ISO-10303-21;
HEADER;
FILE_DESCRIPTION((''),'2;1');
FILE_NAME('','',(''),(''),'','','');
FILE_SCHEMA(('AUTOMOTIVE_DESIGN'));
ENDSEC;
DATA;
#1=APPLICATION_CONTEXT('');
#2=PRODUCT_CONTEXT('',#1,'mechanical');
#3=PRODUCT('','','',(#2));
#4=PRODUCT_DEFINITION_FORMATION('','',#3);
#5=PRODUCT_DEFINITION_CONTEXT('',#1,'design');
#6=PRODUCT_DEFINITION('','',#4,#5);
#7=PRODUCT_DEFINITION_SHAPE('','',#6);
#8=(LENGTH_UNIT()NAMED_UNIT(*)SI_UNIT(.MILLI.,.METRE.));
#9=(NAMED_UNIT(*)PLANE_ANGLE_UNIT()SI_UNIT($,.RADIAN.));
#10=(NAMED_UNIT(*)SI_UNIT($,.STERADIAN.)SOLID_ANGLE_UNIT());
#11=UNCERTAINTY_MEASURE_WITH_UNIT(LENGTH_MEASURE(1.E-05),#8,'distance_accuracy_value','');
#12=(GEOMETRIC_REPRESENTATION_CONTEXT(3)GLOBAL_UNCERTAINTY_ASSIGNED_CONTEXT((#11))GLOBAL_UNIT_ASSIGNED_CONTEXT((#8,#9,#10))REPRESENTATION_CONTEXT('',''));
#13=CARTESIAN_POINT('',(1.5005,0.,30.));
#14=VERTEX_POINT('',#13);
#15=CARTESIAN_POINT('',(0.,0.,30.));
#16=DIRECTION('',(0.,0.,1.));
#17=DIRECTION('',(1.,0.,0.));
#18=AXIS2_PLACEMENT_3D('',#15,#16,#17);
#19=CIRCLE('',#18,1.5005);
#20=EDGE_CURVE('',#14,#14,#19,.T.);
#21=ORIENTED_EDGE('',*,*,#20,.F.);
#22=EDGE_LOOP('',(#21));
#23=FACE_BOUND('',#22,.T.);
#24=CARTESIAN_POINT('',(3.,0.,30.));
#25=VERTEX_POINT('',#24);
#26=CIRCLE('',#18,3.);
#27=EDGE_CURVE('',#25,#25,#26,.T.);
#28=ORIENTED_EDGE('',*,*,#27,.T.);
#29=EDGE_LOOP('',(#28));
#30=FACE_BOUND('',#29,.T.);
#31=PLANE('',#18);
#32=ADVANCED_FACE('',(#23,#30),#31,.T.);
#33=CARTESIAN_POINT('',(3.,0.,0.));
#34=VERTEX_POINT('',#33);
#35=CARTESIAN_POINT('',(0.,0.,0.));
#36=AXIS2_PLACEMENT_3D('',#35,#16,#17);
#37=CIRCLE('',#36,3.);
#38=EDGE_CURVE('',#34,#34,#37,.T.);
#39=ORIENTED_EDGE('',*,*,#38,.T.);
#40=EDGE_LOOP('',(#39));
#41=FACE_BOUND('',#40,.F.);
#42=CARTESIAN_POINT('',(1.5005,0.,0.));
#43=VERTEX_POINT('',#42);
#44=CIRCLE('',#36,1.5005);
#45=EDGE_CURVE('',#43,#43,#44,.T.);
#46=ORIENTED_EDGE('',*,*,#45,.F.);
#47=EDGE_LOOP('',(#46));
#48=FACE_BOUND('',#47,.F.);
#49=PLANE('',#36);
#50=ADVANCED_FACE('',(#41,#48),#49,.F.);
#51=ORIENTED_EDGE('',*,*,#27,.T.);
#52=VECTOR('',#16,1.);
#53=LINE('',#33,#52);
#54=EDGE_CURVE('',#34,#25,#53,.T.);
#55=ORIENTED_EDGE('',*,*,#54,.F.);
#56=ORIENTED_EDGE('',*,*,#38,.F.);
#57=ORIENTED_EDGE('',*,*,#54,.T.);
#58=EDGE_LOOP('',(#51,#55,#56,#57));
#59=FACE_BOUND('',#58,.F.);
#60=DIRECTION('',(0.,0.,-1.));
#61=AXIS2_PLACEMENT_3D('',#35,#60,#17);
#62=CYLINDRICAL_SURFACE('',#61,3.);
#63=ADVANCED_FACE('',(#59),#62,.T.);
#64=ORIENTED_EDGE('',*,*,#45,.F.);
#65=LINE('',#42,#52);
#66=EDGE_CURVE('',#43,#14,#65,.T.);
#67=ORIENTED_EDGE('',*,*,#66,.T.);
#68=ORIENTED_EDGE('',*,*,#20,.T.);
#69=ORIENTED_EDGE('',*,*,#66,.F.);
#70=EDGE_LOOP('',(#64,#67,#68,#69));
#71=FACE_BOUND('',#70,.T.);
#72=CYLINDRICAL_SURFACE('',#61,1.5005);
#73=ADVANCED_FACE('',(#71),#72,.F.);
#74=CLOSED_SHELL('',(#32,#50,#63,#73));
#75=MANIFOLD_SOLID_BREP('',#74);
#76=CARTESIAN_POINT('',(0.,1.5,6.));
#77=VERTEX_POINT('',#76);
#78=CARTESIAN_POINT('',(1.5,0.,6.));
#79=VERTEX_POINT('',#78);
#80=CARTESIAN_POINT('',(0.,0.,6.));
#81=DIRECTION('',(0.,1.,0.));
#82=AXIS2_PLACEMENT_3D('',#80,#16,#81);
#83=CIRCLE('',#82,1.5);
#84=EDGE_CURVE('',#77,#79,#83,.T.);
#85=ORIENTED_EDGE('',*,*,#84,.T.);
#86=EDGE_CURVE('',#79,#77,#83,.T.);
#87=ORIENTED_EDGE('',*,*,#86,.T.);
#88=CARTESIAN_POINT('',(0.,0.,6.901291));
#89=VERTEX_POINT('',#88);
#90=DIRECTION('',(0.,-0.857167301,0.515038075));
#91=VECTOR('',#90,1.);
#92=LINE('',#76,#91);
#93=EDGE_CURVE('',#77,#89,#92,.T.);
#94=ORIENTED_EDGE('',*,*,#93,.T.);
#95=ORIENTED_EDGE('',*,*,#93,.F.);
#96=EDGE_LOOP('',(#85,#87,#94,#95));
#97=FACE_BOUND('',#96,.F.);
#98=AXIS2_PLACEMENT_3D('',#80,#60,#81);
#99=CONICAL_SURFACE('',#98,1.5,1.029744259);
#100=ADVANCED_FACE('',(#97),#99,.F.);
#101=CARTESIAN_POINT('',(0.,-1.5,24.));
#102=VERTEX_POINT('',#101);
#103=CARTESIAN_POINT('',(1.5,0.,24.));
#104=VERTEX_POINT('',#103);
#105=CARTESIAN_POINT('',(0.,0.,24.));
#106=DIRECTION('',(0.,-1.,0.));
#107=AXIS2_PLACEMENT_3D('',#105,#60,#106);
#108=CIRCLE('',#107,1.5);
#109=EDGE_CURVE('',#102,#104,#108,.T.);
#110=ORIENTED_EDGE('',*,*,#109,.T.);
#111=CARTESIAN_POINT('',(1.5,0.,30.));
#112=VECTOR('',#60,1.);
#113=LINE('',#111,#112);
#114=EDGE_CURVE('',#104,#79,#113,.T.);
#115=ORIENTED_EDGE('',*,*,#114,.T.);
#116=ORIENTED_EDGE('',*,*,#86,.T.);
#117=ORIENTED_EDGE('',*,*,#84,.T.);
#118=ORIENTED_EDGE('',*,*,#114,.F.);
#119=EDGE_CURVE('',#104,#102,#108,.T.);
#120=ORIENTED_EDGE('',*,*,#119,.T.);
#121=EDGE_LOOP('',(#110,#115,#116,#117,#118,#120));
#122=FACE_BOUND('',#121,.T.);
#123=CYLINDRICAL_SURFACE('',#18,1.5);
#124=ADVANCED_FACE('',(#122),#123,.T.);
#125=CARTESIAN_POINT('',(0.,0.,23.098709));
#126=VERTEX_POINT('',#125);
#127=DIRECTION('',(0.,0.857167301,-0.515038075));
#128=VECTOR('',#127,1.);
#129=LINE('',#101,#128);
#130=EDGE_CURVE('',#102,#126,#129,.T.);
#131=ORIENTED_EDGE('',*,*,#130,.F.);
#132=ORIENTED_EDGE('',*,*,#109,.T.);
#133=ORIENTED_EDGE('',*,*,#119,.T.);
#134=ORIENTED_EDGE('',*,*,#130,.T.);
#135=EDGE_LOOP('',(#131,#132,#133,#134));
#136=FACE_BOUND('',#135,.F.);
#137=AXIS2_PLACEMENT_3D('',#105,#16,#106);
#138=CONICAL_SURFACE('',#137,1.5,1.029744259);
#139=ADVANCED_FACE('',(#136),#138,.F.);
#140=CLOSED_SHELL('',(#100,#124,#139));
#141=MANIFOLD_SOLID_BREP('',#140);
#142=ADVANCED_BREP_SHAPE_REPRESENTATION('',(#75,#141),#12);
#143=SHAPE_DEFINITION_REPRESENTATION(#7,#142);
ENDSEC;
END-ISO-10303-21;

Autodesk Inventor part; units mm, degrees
ref_plane "YZ Plane" through (0, 0, 0) normal (1, 0, 0) x (0, 1, 0)
ref_plane "XZ Plane" through (0, 0, 0) normal (0, 1, 0) x (-1, 0, 0)
ref_plane "XY Plane" through (0, 0, 0) normal (0, 0, 1) x (1, 0, 0)
sketch "スケッチ1" plane through (0, 0, 0) normal (0, 0, 1) x (1, 0, 0)
  circle A0 centre (0, 0) radius 3
  circle A1 centre (0, 0) radius 1.5005
  dimension "d0" = 6
  dimension "d1" = 3.001
extrude "押し出し1" add sketch "スケッチ1" along normal blind 30
sketch "スケッチ2" plane through (0, 0, 30) normal (0, 0, 1) x (1, 0, 0)
  circle A0 centre (0, 0) radius 1.5
  dimension "d4" = 3
extrude "押し出し2" add sketch "スケッチ2" against normal blind 30
hole "穴1" at (0, 0, 30) direction (0, 0, -1) diameter 3 depth 6 tip angle 118
hole "穴2" at (0, 0, 0) direction (0, 0, 1) diameter 3 depth 6 tip angle 118
properties part number "スペーサーm3-30　簡易筒型" material "アルミニウム 2014-T4"
